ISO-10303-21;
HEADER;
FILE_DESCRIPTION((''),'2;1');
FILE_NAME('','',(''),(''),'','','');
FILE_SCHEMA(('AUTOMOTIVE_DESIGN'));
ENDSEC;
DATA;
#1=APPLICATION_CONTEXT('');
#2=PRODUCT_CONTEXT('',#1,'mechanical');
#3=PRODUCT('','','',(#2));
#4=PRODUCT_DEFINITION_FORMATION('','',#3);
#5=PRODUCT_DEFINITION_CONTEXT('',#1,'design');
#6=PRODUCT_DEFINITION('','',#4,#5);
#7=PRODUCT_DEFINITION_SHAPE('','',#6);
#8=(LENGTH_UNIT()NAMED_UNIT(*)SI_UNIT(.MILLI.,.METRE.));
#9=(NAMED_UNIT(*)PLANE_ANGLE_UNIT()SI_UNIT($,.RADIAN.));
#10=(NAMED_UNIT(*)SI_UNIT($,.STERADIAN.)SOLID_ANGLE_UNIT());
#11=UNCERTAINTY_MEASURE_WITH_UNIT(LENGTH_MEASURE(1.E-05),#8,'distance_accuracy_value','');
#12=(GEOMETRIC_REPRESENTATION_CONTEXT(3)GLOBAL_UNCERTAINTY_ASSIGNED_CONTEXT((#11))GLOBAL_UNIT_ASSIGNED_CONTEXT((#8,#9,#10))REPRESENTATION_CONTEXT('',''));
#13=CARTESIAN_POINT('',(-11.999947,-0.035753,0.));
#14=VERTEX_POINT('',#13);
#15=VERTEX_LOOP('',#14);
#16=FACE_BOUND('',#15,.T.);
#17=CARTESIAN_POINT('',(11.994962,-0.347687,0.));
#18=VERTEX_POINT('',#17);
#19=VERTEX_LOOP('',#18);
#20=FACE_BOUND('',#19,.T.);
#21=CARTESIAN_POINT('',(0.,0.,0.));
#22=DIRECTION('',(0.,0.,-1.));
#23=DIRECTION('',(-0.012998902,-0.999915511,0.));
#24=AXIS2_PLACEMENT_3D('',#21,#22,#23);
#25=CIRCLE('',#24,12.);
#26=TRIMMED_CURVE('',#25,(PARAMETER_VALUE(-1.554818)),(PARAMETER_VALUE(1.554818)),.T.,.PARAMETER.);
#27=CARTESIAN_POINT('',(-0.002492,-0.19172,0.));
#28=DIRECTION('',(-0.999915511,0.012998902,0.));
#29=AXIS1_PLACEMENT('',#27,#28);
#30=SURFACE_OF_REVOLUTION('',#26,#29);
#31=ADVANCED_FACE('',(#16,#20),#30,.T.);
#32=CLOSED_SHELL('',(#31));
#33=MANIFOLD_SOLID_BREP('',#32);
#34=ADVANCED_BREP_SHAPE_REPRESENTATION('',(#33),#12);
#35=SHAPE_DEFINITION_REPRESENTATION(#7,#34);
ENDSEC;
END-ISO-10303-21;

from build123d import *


with BuildPart() as part:
    # 草圖1 → 旋轉1 (revolve)
    with BuildSketch(Plane.XY):
        with BuildLine():
            Line((11.994962018, -0.347686904), (-11.999946738, -0.035753091))
            ThreePointArc((-11.999946738, -0.035753091), (-0.15598682, -11.998986129), (11.994962018, -0.347686904))
        make_face()
    revolve(axis=Axis((-14.750184475, 0, 0), (0.9999155107088669, -0.01299890163921521, 0)))


solid = part.part
